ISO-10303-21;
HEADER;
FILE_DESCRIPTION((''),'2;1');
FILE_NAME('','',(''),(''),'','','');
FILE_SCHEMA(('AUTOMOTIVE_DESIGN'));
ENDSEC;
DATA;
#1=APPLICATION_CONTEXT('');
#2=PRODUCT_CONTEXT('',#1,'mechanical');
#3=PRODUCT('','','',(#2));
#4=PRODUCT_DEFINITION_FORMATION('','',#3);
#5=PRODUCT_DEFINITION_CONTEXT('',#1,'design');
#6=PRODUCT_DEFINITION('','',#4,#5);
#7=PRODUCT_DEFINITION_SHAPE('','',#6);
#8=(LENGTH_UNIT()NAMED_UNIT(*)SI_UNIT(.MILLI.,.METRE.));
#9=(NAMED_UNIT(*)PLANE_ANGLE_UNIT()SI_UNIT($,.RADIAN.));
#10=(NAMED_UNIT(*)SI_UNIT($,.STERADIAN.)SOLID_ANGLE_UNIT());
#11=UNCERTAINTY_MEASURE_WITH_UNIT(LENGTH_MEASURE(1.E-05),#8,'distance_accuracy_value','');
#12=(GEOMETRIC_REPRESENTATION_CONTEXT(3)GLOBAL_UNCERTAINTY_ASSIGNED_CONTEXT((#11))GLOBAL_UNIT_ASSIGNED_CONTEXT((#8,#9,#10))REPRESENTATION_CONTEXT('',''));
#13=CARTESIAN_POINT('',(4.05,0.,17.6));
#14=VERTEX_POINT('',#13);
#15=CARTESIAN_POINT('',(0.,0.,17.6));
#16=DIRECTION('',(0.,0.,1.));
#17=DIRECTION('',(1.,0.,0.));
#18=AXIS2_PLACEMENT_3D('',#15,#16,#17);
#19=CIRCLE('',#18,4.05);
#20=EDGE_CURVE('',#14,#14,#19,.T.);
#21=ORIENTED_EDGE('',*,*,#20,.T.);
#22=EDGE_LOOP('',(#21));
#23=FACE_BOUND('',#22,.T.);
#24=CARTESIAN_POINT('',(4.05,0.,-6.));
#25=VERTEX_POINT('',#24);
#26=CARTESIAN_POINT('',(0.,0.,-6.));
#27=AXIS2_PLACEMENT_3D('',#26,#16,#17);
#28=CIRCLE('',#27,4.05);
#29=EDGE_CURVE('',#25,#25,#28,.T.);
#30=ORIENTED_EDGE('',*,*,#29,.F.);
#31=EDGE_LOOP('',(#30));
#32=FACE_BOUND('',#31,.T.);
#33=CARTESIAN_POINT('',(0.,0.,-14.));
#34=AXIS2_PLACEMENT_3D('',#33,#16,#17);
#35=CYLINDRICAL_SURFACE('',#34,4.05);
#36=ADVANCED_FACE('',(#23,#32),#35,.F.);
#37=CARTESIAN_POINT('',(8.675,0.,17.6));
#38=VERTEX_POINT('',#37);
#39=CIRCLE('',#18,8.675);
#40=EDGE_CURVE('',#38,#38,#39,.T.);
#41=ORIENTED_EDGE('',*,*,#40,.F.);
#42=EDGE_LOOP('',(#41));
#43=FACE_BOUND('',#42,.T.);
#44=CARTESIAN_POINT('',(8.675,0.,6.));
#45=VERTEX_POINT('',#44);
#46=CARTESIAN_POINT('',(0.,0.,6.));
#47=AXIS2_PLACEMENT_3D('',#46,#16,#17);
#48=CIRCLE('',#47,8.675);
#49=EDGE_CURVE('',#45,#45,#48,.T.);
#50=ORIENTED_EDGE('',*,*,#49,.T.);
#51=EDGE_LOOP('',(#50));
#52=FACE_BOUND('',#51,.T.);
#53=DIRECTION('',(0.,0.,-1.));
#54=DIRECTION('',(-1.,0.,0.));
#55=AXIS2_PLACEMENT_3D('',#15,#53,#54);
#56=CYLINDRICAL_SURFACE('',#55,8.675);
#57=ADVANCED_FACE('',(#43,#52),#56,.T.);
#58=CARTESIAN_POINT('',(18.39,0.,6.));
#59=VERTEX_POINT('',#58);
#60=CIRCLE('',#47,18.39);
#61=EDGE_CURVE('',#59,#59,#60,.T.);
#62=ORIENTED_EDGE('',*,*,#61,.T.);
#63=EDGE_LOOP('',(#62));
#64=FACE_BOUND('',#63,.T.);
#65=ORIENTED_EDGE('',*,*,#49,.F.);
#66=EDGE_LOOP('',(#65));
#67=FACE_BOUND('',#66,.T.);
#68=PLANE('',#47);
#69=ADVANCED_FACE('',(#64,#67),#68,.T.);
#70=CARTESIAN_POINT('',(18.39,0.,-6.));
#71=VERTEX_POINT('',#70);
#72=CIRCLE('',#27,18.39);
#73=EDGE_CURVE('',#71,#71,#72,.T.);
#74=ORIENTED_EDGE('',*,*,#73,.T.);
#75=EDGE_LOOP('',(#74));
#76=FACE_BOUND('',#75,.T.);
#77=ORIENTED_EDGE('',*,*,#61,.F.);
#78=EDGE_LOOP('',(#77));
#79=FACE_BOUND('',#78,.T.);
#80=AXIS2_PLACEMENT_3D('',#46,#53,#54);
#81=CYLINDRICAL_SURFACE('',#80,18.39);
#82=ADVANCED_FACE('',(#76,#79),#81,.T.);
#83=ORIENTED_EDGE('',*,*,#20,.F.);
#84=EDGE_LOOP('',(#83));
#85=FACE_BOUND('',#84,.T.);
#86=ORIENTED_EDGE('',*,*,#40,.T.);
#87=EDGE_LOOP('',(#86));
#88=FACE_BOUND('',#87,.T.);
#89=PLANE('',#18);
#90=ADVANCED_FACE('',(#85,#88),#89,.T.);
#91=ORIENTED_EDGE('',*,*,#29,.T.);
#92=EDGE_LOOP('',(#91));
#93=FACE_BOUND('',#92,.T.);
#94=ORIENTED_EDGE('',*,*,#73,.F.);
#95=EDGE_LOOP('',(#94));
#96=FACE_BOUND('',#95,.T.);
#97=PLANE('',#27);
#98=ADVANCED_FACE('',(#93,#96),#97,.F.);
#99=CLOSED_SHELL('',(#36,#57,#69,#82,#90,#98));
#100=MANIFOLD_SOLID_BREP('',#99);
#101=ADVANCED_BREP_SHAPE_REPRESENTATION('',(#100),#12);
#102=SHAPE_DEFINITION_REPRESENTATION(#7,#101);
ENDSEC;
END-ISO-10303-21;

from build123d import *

# Parameters (mm, degrees)
CROQUIS1_R              = 18.39
SALIENTE_EXTRUIR1_DEPTH = 6
CROQUIS3_R              = 8.675
SALIENTE_EXTRUIR2_DEPTH = 11.6
CROQUIS4_R              = 4.05
CORTAR_EXTRUIR1_DEPTH   = 31.6


with BuildPart() as part:
    # Croquis1 → Saliente-Extruir1 (new, symmetric)
    with BuildSketch(Plane.XY):
        Circle(CROQUIS1_R)
    extrude(amount=SALIENTE_EXTRUIR1_DEPTH, both=True)

    # Croquis3 → Saliente-Extruir2 (add)
    with BuildSketch(Plane.XY.offset(6)):
        Circle(CROQUIS3_R)
    extrude(amount=SALIENTE_EXTRUIR2_DEPTH)

    # Croquis4 → Cortar-Extruir1 (cut)
    with BuildSketch(Plane.XY.offset(17.6)):
        Circle(CROQUIS4_R)
    extrude(amount=-CORTAR_EXTRUIR1_DEPTH, mode=Mode.SUBTRACT)


solid = part.part
